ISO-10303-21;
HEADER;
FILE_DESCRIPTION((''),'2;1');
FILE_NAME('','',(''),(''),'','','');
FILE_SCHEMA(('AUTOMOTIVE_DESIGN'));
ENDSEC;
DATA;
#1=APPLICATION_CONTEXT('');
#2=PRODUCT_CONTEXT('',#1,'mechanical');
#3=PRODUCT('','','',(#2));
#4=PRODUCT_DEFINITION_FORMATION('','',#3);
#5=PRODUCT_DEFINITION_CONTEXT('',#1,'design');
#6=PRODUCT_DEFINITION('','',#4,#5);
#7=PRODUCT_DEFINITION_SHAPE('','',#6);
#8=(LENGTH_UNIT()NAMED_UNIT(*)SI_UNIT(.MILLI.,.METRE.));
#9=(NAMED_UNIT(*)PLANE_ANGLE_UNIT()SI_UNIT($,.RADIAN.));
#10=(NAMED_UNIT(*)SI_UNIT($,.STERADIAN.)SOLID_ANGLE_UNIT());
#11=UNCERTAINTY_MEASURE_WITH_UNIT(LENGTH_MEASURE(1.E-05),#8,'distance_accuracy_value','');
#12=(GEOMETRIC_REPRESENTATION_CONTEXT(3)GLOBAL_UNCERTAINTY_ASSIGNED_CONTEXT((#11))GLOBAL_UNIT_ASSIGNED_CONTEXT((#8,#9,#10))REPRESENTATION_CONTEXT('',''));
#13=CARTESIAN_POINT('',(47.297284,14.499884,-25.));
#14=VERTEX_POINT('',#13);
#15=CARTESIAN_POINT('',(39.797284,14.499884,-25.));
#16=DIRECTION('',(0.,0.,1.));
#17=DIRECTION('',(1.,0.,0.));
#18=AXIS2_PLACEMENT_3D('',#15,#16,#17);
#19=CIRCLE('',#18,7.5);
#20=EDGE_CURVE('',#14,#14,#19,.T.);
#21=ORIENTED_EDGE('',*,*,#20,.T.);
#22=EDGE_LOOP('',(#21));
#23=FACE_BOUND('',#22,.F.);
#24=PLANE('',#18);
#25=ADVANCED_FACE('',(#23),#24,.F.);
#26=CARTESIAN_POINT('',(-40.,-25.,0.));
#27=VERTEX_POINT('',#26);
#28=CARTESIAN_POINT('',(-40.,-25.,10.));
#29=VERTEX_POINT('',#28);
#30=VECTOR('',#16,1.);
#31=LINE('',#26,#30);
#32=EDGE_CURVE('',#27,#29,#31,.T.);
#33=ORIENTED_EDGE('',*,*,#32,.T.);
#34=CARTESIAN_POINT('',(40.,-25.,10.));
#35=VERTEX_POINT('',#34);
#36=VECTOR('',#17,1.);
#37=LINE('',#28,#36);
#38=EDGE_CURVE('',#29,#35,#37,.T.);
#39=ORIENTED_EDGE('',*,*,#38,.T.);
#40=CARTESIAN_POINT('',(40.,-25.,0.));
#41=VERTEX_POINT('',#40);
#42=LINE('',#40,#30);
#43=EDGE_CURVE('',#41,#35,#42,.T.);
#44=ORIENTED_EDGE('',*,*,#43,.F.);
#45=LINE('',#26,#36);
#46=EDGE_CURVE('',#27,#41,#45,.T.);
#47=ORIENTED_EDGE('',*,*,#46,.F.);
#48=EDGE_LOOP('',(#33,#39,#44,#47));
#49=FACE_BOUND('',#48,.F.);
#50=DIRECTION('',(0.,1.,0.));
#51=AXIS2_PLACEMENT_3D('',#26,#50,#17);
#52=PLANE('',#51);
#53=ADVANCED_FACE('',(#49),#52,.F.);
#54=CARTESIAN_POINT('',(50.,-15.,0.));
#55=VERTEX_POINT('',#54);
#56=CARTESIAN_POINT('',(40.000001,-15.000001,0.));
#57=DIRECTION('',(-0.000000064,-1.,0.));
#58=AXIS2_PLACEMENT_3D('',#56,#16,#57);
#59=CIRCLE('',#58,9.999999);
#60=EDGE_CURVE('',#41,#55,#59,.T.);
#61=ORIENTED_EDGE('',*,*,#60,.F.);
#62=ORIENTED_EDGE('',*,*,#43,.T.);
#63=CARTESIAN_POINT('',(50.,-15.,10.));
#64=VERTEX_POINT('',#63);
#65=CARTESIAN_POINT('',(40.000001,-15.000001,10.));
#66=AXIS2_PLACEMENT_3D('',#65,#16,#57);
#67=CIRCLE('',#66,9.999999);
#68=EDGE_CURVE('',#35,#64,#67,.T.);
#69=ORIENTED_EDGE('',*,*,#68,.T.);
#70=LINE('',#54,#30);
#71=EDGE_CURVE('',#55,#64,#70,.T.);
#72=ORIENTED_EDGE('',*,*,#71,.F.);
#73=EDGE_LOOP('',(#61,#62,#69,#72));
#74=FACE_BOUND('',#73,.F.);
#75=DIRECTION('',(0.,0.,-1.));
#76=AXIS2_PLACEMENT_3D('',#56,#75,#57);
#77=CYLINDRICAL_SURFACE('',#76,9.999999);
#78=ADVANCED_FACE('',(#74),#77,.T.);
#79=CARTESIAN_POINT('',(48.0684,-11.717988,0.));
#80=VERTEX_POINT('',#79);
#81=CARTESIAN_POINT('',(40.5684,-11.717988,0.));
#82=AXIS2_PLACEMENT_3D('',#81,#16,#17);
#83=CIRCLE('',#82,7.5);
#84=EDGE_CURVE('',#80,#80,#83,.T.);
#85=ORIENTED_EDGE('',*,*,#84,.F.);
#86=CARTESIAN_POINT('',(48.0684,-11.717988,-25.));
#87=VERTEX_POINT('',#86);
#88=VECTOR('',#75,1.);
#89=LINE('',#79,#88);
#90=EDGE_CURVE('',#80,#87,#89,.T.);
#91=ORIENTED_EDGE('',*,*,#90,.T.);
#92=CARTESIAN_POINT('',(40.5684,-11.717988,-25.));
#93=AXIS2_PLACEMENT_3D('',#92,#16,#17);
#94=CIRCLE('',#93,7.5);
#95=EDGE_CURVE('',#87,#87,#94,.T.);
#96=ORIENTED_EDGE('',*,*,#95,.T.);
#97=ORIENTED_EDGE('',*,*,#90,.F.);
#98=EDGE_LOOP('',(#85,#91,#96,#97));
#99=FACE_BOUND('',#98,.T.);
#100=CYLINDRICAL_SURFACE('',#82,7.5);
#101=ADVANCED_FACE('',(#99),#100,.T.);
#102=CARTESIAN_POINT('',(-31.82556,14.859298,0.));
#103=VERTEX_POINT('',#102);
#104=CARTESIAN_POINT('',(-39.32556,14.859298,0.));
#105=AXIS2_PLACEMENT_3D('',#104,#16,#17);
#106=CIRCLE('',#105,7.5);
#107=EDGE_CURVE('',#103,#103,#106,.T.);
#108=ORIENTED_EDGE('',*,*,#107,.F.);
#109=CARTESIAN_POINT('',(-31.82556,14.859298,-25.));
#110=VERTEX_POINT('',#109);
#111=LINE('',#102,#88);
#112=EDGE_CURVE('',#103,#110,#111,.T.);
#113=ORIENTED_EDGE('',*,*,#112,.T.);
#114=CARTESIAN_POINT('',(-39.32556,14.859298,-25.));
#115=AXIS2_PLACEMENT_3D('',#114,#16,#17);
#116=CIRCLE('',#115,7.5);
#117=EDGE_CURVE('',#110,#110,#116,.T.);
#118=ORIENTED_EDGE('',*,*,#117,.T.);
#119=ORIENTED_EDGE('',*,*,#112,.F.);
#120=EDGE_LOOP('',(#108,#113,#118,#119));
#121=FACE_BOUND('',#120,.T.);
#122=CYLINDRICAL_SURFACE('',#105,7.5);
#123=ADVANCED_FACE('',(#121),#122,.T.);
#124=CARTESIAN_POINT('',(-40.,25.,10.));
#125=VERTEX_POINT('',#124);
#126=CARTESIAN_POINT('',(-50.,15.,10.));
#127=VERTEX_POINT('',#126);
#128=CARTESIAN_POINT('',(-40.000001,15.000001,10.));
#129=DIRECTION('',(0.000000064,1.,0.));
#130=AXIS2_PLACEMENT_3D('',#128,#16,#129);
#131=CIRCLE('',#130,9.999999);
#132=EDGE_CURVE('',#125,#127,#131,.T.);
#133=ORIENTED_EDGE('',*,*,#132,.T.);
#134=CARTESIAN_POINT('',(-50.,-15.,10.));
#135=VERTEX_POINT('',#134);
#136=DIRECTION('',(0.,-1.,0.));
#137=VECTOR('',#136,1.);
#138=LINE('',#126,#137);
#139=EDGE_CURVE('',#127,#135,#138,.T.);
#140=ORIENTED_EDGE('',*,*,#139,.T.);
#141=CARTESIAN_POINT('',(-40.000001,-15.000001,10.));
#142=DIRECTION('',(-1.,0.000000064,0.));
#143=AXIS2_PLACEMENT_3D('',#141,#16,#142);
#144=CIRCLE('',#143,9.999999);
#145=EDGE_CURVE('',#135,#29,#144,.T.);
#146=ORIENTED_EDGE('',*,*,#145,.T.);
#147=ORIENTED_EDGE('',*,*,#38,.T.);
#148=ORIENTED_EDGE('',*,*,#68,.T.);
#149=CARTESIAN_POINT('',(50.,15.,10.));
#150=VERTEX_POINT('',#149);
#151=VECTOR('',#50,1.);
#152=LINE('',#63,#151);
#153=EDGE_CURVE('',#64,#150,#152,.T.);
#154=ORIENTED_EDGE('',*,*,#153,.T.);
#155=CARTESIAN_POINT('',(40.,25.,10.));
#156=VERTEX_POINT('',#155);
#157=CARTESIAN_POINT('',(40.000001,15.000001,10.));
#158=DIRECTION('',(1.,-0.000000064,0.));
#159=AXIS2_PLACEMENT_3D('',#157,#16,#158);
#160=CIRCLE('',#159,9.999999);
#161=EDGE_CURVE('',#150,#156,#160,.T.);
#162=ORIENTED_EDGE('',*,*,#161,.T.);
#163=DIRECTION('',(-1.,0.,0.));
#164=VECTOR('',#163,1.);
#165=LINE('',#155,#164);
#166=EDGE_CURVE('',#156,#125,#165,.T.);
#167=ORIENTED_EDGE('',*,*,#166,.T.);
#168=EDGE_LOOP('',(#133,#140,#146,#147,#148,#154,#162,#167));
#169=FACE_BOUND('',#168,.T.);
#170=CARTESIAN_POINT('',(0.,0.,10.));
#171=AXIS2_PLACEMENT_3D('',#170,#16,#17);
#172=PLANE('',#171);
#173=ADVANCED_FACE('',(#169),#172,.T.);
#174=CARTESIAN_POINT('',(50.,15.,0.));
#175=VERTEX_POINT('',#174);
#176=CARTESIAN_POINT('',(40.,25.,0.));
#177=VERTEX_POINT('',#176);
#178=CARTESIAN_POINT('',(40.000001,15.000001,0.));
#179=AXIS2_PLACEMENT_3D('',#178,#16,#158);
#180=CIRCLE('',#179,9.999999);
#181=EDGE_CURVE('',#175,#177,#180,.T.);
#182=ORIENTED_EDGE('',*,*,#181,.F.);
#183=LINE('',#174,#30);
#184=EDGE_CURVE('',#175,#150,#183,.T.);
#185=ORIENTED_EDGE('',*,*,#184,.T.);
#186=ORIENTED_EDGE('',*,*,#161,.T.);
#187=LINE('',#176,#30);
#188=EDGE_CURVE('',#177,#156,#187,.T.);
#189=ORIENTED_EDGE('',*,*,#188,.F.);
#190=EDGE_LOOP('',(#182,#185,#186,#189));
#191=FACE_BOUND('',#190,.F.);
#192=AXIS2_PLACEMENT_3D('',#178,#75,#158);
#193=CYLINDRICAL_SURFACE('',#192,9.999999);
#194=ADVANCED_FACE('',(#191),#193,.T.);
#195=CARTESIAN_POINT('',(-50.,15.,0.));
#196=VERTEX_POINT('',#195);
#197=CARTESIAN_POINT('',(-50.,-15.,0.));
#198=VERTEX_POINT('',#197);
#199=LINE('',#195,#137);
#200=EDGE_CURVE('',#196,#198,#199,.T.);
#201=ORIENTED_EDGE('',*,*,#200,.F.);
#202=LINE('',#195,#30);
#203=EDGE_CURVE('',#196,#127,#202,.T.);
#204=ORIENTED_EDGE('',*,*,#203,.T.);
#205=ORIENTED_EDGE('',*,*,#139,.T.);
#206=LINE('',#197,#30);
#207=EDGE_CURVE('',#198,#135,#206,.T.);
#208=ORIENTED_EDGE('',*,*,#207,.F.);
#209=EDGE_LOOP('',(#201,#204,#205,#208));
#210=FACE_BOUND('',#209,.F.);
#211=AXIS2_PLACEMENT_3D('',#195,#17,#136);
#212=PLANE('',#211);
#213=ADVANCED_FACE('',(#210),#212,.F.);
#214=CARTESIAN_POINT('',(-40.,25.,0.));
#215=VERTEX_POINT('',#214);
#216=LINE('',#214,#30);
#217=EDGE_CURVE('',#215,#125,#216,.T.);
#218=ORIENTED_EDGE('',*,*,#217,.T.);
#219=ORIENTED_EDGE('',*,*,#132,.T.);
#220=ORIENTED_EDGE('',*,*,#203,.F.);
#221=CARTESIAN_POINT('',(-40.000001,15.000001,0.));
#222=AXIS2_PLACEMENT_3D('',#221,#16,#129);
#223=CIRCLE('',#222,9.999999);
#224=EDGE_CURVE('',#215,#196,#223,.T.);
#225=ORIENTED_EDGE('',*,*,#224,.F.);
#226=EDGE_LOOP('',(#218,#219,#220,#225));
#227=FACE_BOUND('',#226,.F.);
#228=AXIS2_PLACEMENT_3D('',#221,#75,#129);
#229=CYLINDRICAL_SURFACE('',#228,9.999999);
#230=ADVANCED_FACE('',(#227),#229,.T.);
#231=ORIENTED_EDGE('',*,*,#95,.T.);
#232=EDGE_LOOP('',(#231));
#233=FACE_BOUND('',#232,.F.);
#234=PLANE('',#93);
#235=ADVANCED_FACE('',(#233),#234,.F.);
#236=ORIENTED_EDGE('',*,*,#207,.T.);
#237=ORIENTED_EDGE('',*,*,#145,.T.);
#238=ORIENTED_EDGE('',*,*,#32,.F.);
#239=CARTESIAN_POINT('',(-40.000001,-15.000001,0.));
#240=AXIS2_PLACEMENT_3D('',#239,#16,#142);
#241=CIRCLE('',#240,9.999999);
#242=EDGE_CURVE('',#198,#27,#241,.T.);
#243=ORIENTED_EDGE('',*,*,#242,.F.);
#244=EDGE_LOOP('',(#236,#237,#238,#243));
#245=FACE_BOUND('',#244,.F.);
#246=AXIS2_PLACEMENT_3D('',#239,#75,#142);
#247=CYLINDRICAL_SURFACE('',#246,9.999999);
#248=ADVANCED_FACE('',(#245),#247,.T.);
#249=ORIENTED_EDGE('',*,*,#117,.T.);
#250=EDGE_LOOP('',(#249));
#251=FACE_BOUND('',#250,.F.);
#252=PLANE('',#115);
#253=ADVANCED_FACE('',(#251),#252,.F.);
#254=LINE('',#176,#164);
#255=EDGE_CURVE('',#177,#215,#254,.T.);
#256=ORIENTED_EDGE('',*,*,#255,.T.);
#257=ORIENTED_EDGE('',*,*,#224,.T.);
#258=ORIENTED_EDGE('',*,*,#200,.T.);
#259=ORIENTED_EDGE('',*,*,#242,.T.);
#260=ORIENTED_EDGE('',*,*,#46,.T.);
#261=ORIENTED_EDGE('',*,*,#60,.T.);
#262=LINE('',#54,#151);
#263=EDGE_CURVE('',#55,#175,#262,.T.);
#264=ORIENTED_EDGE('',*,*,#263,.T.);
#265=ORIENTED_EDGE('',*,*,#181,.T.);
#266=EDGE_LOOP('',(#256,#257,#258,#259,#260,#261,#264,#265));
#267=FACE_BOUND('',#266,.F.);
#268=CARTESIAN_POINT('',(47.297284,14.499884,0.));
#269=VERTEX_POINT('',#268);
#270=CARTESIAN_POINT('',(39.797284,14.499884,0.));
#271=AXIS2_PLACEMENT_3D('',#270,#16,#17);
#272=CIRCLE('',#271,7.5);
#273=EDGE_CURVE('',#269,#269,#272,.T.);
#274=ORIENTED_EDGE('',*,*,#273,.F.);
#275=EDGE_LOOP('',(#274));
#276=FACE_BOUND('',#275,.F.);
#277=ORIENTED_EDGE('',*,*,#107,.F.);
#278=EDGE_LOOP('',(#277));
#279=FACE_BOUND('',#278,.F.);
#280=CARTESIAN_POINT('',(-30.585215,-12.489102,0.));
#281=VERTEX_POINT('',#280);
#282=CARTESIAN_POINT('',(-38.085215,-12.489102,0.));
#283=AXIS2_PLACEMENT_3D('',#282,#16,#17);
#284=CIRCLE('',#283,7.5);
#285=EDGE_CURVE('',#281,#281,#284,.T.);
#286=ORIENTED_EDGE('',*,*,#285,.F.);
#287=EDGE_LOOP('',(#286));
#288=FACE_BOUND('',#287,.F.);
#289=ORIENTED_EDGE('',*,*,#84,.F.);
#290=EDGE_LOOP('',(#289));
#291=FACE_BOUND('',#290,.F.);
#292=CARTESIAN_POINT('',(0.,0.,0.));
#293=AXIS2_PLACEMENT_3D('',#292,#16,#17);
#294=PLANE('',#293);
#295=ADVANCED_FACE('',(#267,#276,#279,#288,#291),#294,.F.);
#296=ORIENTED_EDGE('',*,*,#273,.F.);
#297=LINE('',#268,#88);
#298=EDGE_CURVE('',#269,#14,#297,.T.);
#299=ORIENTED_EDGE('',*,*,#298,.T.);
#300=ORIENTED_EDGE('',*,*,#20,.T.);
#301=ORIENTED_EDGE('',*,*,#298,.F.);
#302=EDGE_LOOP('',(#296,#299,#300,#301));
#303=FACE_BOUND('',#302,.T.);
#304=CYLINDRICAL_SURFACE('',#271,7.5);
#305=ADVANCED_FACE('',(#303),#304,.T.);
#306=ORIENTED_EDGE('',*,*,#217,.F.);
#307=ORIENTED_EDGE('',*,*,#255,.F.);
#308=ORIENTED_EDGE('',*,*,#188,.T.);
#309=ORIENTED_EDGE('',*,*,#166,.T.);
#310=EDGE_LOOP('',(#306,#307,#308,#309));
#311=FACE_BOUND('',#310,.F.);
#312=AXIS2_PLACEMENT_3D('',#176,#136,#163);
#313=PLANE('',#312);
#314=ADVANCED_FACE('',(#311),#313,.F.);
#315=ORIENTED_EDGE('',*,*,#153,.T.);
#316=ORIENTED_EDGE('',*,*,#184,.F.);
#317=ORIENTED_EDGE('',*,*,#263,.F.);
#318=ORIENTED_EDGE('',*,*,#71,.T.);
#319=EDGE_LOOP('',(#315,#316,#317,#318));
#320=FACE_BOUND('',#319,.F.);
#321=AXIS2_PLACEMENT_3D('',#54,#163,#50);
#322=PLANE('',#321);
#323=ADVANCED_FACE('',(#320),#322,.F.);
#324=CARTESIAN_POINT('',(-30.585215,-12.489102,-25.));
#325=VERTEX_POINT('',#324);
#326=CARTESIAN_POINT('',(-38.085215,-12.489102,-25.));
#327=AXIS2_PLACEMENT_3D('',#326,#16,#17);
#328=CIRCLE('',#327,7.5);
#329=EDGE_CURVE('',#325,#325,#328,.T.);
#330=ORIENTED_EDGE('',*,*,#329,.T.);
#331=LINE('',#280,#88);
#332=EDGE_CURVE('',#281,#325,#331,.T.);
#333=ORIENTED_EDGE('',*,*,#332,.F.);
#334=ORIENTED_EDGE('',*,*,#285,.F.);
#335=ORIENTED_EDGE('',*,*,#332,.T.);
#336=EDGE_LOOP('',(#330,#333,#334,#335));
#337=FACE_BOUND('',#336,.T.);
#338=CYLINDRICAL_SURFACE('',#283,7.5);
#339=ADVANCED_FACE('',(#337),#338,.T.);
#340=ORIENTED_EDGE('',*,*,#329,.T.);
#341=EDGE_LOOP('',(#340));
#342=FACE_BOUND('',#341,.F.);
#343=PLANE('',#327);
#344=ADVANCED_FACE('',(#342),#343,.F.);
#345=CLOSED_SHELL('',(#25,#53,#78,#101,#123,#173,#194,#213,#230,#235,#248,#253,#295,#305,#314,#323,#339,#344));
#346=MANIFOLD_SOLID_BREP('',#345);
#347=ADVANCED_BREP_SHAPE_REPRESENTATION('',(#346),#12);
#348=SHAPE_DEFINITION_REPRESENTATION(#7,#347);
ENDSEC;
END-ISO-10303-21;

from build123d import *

# Parameters (mm, degrees)
F1_DEPTH = 10
F2_R     = 7.5
F3_DEPTH = 25


with BuildPart() as f1:
    # F0 (on Top) → F1 (new body)
    with BuildSketch(Plane.XY):
        with BuildLine():
            Line((40, 25), (-40, 25))
            ThreePointArc((-40, 25), (-47.071068, 22.071068), (-50, 15))
            Line((-50, 15), (-50, -15))
            ThreePointArc((-50, -15), (-47.071068, -22.071068), (-40, -25))
            Line((-40, -25), (40, -25))
            ThreePointArc((40, -25), (47.071068, -22.071068), (50, -15))
            Line((50, -15), (50, 15))
            ThreePointArc((50, 15), (47.071068, 22.071068), (40, 25))
        make_face()
    extrude(amount=F1_DEPTH)

    # F2 (on Top) → F3 (join)
    with BuildSketch(Plane.XY):
        with Locations((-39.32556, 14.859298)):
            Circle(F2_R)
        with Locations((-38.085215, -12.489102)):
            Circle(F2_R)
        with Locations((39.797284, 14.499884)):
            Circle(F2_R)
        with Locations((40.5684, -11.717988)):
            Circle(F2_R)
    extrude(amount=-F3_DEPTH)


solid = f1.part
